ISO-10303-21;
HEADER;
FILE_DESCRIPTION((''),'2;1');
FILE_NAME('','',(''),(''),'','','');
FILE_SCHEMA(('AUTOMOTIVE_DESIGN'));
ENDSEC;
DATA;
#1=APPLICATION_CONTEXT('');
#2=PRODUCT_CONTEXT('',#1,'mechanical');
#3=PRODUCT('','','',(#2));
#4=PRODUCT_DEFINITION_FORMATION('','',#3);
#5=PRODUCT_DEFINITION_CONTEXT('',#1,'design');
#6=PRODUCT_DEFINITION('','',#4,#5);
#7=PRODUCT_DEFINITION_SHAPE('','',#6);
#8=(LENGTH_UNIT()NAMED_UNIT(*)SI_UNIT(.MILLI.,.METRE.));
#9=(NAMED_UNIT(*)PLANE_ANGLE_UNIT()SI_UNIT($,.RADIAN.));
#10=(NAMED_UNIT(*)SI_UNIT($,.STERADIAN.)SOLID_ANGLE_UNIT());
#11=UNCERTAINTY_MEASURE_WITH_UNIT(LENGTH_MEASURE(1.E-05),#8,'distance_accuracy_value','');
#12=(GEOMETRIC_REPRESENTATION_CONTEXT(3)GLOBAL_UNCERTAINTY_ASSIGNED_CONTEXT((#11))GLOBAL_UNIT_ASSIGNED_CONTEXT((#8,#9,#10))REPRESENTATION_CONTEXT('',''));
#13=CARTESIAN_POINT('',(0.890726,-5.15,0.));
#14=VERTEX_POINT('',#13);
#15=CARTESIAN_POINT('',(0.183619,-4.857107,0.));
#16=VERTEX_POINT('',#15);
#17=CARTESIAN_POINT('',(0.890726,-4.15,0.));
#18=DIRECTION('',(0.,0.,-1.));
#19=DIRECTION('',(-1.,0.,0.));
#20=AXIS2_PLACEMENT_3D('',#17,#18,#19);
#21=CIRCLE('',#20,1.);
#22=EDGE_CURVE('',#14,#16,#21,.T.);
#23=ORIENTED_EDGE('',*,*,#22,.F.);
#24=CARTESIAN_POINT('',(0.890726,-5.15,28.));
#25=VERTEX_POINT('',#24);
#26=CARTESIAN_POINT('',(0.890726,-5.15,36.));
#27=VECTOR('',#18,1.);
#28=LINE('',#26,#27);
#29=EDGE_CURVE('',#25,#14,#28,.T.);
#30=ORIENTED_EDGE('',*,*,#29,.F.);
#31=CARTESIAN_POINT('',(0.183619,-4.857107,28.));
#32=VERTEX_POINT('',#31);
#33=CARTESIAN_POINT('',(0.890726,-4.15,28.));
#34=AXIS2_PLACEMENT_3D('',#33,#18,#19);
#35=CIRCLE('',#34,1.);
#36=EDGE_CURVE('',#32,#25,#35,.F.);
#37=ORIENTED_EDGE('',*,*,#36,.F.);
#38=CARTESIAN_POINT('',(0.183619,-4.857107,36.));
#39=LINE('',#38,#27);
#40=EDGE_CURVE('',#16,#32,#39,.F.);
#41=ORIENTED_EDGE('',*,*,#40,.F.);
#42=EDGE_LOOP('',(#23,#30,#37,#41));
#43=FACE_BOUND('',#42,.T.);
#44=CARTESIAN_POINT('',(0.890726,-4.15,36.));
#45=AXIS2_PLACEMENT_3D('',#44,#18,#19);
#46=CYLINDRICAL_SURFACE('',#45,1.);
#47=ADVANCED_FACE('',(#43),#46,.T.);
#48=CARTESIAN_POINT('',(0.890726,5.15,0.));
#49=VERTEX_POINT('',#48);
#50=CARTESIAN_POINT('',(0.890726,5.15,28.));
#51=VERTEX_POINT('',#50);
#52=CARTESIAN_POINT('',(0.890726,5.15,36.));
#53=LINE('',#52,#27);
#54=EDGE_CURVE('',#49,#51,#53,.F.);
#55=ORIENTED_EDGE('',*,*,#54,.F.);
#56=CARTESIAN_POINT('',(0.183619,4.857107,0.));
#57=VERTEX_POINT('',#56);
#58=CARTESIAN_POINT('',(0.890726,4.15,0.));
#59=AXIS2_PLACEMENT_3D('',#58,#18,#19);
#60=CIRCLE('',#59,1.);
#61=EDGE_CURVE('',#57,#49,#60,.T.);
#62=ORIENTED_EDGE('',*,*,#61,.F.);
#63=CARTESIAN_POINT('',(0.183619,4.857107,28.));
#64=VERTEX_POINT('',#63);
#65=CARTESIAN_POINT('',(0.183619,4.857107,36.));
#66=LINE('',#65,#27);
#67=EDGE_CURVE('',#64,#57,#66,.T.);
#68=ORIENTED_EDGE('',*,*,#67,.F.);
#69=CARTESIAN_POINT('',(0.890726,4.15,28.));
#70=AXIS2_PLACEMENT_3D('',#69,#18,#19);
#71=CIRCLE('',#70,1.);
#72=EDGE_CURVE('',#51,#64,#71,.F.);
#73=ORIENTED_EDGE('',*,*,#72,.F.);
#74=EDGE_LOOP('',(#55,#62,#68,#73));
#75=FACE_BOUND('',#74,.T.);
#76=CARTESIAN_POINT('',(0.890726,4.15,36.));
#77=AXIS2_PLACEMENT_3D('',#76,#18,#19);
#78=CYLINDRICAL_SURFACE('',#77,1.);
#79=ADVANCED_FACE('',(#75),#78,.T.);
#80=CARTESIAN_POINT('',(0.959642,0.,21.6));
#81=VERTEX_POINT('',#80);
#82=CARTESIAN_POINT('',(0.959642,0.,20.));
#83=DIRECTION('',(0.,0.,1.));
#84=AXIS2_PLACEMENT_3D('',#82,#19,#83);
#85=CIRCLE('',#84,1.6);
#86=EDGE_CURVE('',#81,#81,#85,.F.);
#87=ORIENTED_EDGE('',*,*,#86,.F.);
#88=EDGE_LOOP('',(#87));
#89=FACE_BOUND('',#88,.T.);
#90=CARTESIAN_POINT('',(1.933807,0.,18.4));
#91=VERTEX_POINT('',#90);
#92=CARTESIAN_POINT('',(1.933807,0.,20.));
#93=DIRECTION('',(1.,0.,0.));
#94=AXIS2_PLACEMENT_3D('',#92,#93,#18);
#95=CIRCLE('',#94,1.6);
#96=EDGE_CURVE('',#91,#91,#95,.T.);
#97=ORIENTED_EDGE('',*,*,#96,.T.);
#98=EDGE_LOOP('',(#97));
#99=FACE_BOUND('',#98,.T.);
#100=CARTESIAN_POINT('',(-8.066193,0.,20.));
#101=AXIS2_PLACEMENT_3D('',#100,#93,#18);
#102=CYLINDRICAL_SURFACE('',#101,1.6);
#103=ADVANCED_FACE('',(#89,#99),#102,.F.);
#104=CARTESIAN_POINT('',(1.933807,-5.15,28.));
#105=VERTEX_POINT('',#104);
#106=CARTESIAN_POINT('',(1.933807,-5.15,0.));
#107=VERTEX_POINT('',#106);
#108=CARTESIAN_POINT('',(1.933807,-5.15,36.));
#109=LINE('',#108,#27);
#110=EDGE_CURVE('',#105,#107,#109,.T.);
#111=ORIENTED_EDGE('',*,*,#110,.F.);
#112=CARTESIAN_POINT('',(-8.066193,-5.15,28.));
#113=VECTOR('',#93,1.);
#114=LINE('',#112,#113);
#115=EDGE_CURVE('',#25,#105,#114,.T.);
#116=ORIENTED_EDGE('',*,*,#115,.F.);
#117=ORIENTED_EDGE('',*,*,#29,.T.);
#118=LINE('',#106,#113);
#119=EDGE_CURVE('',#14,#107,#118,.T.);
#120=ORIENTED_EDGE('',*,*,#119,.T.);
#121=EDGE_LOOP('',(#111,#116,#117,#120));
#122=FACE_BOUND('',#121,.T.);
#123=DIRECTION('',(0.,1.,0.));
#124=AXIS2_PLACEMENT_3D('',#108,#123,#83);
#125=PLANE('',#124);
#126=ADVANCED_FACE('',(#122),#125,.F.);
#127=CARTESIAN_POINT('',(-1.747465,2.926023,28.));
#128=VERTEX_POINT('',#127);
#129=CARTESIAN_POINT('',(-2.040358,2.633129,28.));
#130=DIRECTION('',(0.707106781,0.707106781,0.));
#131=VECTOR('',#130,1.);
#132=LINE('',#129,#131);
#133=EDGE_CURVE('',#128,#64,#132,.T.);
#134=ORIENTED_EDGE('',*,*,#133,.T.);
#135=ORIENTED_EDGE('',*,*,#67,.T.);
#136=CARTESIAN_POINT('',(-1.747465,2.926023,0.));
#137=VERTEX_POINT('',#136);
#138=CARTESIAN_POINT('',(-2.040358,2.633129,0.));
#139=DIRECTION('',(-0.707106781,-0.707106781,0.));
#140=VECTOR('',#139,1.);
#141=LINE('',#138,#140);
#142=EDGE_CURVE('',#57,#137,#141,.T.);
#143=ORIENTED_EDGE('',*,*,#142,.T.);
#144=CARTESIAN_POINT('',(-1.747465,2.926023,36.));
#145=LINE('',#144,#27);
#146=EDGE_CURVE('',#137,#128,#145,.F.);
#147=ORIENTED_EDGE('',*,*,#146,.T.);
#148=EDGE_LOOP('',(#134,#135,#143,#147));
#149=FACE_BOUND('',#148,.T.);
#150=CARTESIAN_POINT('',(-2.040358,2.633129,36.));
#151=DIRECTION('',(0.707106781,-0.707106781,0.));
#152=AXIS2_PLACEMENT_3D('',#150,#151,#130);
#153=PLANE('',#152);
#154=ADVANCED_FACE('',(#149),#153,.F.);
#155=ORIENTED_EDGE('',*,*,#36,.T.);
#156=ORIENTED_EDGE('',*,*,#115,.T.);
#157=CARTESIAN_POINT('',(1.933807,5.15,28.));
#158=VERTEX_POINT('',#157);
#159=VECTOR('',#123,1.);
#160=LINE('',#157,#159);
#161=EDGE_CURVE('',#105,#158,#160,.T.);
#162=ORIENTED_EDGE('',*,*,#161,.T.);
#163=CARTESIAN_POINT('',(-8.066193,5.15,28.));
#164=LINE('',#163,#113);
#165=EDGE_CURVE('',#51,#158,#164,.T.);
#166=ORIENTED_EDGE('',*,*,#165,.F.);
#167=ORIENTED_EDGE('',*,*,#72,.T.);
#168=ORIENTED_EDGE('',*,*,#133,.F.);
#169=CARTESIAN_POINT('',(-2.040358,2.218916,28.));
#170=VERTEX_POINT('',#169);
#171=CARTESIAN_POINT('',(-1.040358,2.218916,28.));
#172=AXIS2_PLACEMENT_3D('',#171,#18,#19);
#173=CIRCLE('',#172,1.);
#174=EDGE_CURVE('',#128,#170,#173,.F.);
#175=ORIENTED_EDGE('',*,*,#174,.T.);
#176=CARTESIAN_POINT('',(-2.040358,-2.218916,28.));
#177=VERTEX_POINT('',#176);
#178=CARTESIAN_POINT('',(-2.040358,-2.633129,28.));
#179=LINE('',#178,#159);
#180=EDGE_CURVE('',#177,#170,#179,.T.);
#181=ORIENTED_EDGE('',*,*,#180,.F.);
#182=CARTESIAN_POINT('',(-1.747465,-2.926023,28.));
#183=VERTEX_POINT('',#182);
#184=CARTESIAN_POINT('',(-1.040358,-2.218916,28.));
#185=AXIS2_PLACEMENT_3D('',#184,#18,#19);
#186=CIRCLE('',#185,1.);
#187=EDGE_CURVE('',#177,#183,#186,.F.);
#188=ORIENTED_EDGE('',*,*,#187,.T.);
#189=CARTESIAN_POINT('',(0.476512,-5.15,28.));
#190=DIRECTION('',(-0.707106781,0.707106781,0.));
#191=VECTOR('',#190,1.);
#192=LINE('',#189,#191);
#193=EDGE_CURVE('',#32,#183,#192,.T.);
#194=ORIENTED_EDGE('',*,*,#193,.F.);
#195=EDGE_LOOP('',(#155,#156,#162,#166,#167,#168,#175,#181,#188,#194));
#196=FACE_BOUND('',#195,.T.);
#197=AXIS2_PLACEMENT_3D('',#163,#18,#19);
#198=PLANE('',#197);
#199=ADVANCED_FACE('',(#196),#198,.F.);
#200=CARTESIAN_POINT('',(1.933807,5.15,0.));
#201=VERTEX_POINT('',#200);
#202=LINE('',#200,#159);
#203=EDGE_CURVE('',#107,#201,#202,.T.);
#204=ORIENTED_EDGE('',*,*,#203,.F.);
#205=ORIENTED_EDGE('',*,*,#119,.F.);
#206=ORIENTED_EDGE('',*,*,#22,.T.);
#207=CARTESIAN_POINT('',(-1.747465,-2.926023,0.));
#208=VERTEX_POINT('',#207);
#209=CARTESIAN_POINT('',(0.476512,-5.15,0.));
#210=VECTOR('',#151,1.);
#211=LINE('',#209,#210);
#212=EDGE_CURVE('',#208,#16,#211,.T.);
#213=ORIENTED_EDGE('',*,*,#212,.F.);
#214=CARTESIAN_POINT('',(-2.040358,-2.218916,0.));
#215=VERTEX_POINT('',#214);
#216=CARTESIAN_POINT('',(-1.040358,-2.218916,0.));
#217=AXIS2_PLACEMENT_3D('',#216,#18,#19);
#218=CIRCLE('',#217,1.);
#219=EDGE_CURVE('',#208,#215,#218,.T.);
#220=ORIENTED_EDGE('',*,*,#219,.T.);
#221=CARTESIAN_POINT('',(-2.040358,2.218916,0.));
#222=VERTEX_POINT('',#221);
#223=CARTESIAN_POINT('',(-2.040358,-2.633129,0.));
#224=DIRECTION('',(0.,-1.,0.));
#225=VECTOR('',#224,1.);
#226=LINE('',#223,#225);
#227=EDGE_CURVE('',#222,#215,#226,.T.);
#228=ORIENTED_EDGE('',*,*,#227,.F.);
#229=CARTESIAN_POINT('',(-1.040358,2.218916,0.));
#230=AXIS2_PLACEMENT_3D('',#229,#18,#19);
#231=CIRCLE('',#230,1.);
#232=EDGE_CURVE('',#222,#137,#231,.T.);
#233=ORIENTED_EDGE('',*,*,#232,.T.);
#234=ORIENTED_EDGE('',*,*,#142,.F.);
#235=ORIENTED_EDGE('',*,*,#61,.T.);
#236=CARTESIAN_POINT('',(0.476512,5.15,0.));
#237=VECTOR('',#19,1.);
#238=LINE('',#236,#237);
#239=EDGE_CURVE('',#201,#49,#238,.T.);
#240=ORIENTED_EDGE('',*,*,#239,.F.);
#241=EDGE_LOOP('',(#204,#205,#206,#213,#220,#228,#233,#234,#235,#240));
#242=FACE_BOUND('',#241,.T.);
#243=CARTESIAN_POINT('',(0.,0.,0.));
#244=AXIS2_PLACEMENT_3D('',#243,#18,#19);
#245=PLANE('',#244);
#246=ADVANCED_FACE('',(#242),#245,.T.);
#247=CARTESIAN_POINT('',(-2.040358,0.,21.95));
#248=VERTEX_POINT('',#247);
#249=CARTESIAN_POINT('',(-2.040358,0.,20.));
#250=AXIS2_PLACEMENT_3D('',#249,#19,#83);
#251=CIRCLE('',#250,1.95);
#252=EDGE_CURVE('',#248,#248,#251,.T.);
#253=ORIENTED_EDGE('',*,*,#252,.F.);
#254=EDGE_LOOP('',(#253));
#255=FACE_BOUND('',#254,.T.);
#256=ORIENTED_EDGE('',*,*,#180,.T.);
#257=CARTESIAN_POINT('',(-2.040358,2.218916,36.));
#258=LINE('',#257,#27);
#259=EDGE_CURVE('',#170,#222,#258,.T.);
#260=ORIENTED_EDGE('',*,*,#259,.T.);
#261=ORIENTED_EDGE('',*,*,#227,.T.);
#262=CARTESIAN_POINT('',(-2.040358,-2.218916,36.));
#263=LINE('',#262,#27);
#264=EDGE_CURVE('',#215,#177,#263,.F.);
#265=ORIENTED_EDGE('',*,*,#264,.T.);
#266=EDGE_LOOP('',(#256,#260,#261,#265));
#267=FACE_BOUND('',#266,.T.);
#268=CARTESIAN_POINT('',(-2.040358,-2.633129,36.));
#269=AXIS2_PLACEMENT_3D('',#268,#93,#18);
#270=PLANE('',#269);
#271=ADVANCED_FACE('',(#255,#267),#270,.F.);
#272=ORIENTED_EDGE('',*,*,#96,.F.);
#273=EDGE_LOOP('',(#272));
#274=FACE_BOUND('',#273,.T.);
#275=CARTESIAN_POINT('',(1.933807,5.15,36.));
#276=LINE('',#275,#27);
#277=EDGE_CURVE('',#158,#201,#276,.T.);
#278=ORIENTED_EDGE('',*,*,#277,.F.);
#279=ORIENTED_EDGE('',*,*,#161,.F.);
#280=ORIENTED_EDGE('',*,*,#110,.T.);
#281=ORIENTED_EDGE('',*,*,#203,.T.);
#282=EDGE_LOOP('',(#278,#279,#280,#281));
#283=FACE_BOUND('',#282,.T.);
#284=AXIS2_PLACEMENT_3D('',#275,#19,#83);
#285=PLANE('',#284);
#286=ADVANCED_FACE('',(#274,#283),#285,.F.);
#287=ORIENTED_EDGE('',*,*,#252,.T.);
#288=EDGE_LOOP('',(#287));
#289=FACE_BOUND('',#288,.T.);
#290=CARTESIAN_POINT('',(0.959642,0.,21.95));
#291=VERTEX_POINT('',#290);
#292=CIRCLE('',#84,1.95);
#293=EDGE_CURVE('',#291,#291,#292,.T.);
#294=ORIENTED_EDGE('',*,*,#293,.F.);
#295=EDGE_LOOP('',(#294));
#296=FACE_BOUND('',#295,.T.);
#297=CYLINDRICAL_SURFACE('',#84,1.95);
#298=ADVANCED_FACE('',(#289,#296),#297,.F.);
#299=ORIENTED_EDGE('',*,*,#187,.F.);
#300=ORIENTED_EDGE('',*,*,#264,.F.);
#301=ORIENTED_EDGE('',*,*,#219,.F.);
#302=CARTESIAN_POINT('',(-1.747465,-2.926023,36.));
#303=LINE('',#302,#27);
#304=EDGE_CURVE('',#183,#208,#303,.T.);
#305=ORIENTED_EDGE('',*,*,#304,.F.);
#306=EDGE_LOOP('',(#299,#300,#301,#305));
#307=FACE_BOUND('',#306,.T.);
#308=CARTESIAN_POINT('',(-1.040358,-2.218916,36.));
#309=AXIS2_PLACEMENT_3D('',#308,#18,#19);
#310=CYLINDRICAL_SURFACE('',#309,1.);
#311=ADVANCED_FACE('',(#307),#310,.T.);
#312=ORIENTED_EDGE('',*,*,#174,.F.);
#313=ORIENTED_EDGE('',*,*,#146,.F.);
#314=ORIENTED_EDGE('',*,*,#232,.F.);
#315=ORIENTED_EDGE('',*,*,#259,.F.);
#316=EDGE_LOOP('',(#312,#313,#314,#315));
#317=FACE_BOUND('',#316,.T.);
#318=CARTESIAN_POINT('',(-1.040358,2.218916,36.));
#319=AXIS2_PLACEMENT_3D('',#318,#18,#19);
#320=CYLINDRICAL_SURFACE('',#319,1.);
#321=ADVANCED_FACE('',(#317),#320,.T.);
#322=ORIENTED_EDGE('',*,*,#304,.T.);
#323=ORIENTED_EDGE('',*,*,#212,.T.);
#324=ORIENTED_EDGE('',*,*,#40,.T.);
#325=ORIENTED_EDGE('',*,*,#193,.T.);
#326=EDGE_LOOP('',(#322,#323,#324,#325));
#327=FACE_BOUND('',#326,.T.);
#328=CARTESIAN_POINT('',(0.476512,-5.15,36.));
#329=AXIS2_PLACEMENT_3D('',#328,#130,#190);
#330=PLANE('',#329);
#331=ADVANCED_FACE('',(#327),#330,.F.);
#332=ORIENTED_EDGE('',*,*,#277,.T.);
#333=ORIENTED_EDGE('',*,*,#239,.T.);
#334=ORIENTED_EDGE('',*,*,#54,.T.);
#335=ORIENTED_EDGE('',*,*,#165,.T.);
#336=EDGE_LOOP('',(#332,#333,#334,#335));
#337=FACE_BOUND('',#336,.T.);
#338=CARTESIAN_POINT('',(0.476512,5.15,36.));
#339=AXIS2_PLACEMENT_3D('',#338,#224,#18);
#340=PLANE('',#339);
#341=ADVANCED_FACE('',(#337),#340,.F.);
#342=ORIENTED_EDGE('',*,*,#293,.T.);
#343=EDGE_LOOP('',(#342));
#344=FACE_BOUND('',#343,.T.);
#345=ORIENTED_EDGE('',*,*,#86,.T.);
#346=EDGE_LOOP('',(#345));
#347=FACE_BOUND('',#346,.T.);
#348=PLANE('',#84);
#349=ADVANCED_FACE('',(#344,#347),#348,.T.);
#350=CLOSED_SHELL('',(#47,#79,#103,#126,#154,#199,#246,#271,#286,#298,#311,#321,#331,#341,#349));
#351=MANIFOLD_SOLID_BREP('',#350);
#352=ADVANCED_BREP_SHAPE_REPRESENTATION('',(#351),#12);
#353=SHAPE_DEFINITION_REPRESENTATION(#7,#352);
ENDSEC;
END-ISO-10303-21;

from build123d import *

# Parameters (mm, degrees)
BOSS_EXTRUDE1_DEPTH = 36
SKETCH2_R           = 1.6
CUT_EXTRUDE1_DEPTH  = 10
SKETCH3_R           = 1.95
CUT_EXTRUDE2_DEPTH  = 3
FILLET1_R           = 1
SKETCH4_W           = 8
SKETCH4_H           = 10.3
CUT_EXTRUDE3_DEPTH  = 10


with BuildPart() as part:
    # Sketch1 → Boss-Extrude1 (new body)
    with BuildSketch(Plane.XY):
        Polygon((1.933806537, 5.15), (1.933806537, -5.15), (0.476512405, -5.15), (-2.040358106, -2.633129489), (-2.040358106, 2.633129489), (0.476512405, 5.15), align=None)
    extrude(amount=BOSS_EXTRUDE1_DEPTH)

    # Sketch2 → Cut-Extrude1 (cut)
    with BuildSketch(Plane(origin=(1.933806537, 0, 0), x_dir=(0, 0, -1), z_dir=(1, 0, 0))):
        with Locations((-20, 0)):
            Circle(SKETCH2_R)
        with Locations((-31, 0)):
            Circle(SKETCH2_R)
    extrude(amount=-CUT_EXTRUDE1_DEPTH, mode=Mode.SUBTRACT)

    # Sketch3 → Cut-Extrude2 (cut)
    with BuildSketch(Plane.ZY.offset(2.040358106)):
        with Locations((20, 0)):
            Circle(SKETCH3_R)
        with Locations((31, 0)):
            Circle(SKETCH3_R)
    extrude(amount=-CUT_EXTRUDE2_DEPTH, mode=Mode.SUBTRACT)

    # Fillet1
    fillet1_edges = [part.edges().sort_by_distance(p)[0] for p in [
        (0.476512405, -5.15, 18),
        (-2.040358106, -2.633129489, 18),
        (-2.040358106, 2.633129489, 18),
        (0.476512405, 5.15, 18),
    ]]
    fillet(fillet1_edges, radius=FILLET1_R)

    # Sketch4 → Cut-Extrude3 (cut)
    with BuildSketch(Plane(origin=(1.933806537, 0, 0), x_dir=(0, 0, -1), z_dir=(1, 0, 0))):
        with Locations((-32, 0)):
            Rectangle(SKETCH4_W, SKETCH4_H)
    extrude(amount=-CUT_EXTRUDE3_DEPTH, mode=Mode.SUBTRACT)


solid = part.part
